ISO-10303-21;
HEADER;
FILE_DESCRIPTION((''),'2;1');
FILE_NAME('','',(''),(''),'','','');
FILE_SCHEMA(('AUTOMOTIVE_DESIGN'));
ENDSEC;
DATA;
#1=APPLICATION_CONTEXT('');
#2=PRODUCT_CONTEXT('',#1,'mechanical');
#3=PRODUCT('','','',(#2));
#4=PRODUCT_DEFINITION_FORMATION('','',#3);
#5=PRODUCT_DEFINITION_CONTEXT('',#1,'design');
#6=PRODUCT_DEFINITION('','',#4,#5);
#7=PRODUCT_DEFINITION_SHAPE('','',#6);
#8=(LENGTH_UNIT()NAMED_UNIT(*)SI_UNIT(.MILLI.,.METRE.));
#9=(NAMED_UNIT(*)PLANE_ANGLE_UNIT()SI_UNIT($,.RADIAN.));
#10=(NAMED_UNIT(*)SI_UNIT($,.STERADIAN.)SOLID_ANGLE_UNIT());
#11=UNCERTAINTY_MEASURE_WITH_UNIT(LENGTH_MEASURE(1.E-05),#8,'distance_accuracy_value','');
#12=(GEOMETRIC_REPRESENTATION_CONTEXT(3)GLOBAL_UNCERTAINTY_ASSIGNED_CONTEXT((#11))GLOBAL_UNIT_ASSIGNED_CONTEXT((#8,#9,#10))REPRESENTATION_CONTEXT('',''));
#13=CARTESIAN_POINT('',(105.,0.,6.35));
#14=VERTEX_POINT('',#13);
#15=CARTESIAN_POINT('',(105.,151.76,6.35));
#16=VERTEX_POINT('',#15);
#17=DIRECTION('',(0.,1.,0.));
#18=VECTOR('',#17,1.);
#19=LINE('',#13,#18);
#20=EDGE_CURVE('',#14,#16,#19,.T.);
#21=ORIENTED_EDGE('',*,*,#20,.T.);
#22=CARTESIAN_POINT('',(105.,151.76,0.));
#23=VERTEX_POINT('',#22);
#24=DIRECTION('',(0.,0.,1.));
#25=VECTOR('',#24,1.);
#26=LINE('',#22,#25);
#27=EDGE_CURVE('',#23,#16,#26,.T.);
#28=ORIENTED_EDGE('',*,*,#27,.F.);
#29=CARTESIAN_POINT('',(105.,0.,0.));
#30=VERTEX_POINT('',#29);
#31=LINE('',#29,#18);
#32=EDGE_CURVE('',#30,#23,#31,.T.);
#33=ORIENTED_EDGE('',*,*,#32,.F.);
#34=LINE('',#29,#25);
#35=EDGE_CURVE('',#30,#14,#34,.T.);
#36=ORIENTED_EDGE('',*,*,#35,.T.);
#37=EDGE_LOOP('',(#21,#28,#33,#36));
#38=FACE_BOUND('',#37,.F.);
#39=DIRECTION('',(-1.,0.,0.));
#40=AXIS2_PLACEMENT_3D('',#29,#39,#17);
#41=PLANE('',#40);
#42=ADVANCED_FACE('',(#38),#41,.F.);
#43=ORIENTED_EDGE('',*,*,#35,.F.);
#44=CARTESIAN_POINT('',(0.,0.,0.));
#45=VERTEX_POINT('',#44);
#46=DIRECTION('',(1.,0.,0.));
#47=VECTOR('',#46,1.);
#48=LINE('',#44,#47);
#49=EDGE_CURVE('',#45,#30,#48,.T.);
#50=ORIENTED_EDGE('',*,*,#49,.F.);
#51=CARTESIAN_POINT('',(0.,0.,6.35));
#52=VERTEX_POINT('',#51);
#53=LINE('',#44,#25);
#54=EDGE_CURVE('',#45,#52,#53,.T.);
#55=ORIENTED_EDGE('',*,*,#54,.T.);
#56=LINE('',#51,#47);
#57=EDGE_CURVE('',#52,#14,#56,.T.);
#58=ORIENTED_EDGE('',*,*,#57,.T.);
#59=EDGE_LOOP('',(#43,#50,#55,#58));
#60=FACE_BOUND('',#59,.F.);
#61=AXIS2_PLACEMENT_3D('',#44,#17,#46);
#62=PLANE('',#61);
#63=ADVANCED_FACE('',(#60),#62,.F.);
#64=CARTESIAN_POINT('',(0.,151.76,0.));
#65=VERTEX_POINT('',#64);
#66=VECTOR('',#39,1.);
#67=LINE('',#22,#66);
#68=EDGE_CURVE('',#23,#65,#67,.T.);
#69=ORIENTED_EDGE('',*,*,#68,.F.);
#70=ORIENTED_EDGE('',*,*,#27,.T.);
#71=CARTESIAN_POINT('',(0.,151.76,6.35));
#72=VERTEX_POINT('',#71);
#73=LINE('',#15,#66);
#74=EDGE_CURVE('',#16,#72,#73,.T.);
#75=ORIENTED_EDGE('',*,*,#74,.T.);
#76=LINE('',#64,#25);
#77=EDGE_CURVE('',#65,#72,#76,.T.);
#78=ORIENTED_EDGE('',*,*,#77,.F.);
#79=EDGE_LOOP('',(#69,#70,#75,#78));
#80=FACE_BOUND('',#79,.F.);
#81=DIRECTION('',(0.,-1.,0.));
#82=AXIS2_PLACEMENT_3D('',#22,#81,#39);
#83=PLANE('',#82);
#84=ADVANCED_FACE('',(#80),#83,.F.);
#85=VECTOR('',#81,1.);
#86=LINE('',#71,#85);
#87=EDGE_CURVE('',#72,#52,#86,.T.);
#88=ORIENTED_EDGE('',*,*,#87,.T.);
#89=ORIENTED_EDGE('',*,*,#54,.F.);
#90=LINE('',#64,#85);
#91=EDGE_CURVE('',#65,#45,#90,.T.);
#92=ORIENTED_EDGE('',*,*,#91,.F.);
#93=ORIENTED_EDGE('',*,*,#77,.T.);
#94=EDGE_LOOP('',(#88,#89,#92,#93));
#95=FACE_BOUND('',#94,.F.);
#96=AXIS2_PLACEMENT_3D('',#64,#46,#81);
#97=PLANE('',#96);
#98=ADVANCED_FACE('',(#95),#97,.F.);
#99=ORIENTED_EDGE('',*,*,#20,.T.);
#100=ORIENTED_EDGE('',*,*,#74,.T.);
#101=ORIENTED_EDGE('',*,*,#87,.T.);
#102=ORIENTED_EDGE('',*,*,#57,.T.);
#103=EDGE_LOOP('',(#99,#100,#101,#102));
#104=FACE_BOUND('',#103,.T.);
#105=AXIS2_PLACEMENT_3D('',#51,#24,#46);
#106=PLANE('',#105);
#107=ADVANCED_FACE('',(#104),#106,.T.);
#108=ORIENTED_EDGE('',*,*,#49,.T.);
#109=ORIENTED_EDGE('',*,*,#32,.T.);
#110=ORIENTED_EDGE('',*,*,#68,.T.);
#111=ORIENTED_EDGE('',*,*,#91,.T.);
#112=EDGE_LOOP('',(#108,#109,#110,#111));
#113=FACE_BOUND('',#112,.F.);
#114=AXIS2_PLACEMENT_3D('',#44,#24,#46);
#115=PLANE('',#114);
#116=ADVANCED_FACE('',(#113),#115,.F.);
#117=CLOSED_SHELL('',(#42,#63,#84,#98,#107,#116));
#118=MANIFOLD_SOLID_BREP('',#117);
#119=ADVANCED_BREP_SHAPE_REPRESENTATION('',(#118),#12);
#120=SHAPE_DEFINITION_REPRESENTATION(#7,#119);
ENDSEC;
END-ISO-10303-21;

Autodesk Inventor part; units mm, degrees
ref_plane "YZ Plane" through (0, 0, 0) normal (1, 0, 0) x (0, 1, 0)
ref_plane "XZ Plane" through (0, 0, 0) normal (0, 1, 0) x (-1, 0, 0)
ref_plane "XY Plane" through (0, 0, 0) normal (0, 0, 1) x (1, 0, 0)
sketch "Esboço1" plane through (0, 0, 0) normal (0, 0, 1) x (1, 0, 0)
  line L0 (105, 151.76) -> (0, 151.76)
  line L1 (0, 151.76) -> (0, 0)
  line L2 (0, 0) -> (105, 0)
  line L3 (105, 0) -> (105, 151.76)
extrude "Extrusão1" add sketch "Esboço1" along normal blind 6.35
properties part number "BLOCO_SUPORTE_EIXO_Z_TRASEIRO"
